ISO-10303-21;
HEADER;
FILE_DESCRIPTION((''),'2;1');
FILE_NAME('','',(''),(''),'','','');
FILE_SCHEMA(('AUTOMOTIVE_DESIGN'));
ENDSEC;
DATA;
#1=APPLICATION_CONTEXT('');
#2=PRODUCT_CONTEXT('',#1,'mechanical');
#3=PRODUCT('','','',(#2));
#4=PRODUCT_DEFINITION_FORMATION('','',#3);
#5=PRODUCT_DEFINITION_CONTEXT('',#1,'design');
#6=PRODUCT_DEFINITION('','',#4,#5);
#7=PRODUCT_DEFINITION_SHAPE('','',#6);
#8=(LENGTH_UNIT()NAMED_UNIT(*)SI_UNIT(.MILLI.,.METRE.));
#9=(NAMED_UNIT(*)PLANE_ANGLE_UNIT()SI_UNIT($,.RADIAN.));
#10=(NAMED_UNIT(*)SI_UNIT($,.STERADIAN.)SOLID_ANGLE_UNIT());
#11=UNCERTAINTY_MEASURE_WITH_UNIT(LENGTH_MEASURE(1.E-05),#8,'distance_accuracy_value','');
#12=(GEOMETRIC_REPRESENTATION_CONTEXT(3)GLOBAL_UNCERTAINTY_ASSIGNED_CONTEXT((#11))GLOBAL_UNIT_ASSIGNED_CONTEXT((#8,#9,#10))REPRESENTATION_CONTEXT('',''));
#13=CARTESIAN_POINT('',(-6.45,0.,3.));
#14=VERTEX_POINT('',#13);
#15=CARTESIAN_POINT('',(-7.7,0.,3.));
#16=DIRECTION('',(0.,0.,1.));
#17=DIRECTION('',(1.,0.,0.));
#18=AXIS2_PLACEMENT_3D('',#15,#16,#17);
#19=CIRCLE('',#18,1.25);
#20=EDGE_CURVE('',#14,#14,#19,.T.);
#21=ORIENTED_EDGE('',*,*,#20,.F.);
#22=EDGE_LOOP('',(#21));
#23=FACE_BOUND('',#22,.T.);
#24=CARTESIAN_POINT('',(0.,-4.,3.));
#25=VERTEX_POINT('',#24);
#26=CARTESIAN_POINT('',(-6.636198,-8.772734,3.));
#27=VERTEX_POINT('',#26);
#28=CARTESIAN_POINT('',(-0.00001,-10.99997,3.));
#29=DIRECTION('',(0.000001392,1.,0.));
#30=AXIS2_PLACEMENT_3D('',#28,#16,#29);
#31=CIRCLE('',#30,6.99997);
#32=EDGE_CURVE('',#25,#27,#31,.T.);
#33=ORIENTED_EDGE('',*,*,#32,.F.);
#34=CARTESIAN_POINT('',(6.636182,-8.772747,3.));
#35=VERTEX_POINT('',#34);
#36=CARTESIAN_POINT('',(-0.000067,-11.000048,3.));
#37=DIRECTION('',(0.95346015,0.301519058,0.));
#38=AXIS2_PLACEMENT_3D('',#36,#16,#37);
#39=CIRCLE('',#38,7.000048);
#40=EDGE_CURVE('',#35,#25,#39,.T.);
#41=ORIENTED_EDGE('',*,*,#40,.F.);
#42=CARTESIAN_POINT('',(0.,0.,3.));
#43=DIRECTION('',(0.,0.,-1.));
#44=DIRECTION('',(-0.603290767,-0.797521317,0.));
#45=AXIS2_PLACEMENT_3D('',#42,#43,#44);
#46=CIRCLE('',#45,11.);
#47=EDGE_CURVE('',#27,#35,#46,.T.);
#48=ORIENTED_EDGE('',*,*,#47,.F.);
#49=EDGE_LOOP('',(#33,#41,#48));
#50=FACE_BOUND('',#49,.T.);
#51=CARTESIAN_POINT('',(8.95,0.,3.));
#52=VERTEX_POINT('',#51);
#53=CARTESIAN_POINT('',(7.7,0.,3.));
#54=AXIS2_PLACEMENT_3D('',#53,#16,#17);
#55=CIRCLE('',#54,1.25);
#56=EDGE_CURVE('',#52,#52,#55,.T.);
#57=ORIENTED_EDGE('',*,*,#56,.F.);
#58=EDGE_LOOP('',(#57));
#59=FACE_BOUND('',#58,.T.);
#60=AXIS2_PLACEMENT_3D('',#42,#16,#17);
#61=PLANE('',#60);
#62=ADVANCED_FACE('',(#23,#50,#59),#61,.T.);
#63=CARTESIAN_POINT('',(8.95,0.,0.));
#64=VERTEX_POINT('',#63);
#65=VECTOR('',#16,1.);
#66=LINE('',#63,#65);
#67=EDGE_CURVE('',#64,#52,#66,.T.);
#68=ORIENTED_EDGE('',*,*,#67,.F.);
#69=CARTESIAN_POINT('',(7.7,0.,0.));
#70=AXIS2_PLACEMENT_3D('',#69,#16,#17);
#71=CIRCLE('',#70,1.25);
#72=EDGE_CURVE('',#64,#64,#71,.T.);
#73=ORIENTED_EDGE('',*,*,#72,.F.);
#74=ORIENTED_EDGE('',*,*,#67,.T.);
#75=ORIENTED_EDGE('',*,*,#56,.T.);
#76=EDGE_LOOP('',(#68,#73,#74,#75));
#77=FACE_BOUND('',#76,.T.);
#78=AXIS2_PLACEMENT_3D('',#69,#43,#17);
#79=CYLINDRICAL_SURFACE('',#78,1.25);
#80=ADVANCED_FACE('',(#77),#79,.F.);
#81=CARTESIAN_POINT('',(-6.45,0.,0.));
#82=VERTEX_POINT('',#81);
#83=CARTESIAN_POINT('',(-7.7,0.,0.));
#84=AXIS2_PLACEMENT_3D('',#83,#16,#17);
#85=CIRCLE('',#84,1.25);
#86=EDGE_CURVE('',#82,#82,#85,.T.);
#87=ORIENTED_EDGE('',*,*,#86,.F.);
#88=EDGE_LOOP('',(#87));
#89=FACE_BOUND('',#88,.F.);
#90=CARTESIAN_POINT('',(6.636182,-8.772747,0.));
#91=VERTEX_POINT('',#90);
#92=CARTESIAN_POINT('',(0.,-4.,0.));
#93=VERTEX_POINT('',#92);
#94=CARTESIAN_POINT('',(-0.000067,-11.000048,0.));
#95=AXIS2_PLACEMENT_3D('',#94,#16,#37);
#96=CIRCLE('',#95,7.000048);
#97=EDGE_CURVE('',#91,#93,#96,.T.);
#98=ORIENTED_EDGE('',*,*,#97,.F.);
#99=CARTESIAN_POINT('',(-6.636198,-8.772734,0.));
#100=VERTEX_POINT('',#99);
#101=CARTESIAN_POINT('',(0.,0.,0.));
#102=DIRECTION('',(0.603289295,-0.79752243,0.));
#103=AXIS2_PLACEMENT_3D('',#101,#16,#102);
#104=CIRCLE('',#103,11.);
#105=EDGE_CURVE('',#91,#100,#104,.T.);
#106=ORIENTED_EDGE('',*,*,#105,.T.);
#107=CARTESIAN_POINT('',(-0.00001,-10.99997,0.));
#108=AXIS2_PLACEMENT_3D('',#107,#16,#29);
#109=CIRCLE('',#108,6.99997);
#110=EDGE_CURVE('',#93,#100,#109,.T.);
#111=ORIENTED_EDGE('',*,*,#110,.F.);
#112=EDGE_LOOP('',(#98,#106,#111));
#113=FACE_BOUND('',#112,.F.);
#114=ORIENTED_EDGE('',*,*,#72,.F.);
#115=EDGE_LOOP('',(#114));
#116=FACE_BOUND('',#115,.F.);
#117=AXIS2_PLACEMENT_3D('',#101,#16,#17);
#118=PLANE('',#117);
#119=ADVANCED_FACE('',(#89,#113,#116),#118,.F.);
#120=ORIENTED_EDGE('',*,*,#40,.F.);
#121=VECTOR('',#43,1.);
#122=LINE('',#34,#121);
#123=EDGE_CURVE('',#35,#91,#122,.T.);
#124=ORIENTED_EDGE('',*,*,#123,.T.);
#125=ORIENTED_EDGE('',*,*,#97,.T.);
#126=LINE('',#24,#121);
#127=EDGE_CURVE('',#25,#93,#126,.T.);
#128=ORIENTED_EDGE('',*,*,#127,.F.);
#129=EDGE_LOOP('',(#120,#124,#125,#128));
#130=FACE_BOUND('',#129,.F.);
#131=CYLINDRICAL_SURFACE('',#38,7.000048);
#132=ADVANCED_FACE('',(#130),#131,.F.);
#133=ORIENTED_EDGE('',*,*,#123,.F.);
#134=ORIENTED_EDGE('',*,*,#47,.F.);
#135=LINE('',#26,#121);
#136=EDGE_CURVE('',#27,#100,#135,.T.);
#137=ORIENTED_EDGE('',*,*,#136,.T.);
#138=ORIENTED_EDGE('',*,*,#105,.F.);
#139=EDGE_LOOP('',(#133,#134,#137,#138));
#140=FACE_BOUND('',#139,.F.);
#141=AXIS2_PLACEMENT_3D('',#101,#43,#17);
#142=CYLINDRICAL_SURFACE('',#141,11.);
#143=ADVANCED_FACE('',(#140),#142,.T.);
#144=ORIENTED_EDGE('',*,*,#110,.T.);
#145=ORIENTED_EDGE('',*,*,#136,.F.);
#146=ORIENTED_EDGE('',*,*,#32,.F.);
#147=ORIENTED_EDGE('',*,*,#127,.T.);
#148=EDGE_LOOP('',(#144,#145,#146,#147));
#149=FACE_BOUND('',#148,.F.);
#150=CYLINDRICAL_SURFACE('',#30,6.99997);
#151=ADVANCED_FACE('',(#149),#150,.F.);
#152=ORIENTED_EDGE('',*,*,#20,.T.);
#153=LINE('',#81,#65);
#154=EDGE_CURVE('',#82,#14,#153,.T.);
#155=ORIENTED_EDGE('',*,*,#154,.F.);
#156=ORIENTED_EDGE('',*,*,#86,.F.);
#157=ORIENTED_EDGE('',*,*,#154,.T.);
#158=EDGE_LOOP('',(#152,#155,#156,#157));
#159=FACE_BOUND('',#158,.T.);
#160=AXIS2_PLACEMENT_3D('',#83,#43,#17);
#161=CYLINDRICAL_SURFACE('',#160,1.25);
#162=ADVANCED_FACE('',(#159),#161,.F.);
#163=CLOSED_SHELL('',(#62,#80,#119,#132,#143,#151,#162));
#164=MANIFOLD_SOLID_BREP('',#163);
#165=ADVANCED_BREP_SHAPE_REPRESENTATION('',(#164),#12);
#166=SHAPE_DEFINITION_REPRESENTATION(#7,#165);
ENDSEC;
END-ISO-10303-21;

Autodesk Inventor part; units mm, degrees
ref_plane "YZ Plane" through (0, 0, 0) normal (1, 0, 0) x (0, 1, 0)
ref_plane "XZ Plane" through (0, 0, 0) normal (0, 1, 0) x (-1, 0, 0)
ref_plane "XY Plane" through (0, 0, 0) normal (0, 0, 1) x (1, 0, 0)
sketch "Sketch1" plane through (0, 0, 0) normal (0, 0, 1) x (1, 0, 0)
  circle A0 centre (0, 0) radius 11
  line L0 (-7.7, 0) -> (7.7, 0) construction
  circle A1 centre (-7.7, 0) radius 1.25
  circle A2 centre (7.7, 0) radius 1.25
  dimension "d0" = 22
  dimension "d1" = 15.4
  dimension "d2" = 2.5
  dimension "d3" = 2.5
extrude "Extrusion1" add sketch "Sketch1" along normal blind 3
sketch "Sketch2" plane through (0, 0, 3) normal (0, 0, 1) x (1, 0, 0)
  circle A0 centre (0, 0) radius 11 projected
  arc A1 (6.6742, -8.8894) -> (0, -4) centre (0, -11) ccw
  arc A2 (0, -4) -> (-6.6426, -8.7919) centre (0, -11) ccw
  point P0 (-6.6362, -8.7727)
  point P1 (6.6362, -8.7727)
extrude "Extrusion2" cut sketch "Sketch2" against normal blind 10 contours A2 A1 A0 picked at (-1.3613, -8.6538)
equation "\"d0\" = cs_diam"
equation "\"d1\" = cs_holeSpacing"
equation "\"d2\" = cs_holeDiam"
equation "\"d3\" = cs_holeDiam"
equation "\"d4\" = cs_depth"
equation "\"cs_diam\" = 22"
equation "\"cs_holeSpacing\" = 15.4"
equation "\"cs_holeDiam\" = 2.5"
equation "\"cs_depth\" = 3"
properties part number "Caster Spacer 3mm" material "PMMA Plastic"
